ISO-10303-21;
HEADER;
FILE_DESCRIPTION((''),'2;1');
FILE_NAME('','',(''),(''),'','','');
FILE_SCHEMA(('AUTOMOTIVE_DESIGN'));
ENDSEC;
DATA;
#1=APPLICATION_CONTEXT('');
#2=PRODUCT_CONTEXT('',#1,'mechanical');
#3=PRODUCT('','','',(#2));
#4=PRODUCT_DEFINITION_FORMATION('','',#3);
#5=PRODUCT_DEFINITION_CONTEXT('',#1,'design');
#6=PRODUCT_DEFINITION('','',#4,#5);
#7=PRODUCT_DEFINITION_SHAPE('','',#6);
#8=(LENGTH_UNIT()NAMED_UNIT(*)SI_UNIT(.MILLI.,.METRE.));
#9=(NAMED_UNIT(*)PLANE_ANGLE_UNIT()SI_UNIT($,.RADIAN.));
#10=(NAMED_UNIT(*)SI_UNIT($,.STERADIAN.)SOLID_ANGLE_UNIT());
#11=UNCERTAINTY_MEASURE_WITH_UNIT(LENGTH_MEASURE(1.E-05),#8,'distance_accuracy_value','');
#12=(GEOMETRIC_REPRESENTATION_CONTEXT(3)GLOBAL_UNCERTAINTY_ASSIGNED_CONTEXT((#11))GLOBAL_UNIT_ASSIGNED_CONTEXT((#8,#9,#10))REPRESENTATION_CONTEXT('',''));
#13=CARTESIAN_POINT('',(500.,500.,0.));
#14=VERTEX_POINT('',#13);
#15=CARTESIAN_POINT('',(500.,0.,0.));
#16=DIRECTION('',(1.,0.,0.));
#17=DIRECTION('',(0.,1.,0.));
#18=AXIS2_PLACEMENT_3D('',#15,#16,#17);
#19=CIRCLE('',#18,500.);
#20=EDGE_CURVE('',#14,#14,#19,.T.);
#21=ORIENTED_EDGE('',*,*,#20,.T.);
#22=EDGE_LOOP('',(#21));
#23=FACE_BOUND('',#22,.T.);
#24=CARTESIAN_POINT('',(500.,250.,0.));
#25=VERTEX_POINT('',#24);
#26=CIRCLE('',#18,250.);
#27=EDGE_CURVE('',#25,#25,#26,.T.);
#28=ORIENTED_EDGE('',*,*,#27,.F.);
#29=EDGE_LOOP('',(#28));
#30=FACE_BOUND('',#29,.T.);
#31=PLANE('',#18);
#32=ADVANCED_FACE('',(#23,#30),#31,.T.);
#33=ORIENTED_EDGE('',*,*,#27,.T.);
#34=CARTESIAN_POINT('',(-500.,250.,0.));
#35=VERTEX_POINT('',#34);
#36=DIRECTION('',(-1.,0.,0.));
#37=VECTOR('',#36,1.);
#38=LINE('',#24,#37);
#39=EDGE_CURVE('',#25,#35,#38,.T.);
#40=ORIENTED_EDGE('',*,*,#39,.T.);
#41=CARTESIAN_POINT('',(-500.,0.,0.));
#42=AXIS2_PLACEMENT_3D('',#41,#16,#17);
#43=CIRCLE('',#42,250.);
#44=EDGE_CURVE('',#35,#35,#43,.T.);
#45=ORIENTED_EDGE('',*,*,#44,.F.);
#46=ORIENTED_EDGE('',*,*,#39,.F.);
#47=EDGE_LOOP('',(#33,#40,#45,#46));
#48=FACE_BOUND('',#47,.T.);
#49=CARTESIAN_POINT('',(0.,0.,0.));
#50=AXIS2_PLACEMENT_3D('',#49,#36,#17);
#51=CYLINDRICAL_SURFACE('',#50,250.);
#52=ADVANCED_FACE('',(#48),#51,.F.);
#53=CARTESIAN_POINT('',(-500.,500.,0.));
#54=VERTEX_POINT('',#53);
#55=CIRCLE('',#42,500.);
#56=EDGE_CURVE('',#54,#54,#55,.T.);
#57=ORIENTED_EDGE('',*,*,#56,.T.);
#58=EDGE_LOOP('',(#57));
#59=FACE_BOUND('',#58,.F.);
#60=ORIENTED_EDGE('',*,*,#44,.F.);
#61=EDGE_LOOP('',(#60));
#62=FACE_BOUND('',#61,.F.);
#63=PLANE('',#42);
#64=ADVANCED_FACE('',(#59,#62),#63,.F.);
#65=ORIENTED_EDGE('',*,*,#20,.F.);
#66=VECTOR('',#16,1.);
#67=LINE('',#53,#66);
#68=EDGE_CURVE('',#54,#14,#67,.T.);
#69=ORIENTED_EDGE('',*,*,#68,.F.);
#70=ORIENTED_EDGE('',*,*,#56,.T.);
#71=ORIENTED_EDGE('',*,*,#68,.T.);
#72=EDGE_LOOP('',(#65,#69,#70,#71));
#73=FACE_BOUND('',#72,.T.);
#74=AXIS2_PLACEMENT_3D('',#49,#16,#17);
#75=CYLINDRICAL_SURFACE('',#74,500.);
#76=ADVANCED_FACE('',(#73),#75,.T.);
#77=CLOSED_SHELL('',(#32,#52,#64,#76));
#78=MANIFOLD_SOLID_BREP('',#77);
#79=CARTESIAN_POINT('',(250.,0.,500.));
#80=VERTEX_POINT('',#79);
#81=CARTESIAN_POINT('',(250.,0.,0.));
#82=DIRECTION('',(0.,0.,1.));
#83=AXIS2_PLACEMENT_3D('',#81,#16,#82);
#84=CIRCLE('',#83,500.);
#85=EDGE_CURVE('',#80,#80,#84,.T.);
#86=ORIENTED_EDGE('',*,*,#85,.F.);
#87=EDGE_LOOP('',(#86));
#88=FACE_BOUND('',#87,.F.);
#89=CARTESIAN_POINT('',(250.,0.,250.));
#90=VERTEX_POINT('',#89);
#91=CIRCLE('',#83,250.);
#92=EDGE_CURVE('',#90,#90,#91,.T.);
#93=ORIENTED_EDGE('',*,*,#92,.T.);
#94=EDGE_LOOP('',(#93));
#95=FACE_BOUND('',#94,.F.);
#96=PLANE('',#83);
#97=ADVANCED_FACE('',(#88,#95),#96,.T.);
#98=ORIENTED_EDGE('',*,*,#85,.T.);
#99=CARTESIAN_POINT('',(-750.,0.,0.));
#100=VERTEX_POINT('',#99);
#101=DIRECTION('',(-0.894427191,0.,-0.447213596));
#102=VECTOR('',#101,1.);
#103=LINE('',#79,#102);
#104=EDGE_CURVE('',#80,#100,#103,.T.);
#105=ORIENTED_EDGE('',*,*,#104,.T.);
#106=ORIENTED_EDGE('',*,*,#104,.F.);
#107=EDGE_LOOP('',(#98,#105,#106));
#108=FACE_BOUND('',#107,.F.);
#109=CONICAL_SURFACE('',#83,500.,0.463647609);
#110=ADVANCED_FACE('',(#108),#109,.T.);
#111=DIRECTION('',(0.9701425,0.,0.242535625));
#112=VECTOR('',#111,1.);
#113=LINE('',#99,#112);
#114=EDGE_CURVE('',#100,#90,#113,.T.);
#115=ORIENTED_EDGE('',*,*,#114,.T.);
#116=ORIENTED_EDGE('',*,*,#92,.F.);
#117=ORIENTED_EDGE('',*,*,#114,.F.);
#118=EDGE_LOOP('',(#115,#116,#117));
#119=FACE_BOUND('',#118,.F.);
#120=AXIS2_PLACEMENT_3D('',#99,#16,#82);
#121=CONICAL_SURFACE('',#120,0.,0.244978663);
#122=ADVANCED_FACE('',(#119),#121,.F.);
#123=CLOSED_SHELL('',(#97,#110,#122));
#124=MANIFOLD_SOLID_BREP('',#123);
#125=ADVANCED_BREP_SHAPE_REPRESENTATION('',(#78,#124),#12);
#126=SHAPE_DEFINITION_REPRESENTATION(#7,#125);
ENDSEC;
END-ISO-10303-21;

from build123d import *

# Parameters (mm, degrees)
SKETCH_R   = 500
SKETCH_R_2 = 250
PAD_DEPTH  = 500


with BuildPart() as body:
    # Sketch → Pad (new body, symmetric)
    with BuildSketch(Plane.YZ):
        Circle(SKETCH_R)
        Circle(SKETCH_R_2, mode=Mode.SUBTRACT)
    extrude(amount=PAD_DEPTH, both=True)


with BuildPart() as body001:
    # Sketch001 → Revolution (revolve)
    with BuildSketch(Plane.XZ):
        Polygon((250, 500), (-750, 0), (250, 250), align=None)
    revolve(axis=Axis((0, 0, 0), (1, 0, 0)))


solid = Compound([body.part, body001.part])
